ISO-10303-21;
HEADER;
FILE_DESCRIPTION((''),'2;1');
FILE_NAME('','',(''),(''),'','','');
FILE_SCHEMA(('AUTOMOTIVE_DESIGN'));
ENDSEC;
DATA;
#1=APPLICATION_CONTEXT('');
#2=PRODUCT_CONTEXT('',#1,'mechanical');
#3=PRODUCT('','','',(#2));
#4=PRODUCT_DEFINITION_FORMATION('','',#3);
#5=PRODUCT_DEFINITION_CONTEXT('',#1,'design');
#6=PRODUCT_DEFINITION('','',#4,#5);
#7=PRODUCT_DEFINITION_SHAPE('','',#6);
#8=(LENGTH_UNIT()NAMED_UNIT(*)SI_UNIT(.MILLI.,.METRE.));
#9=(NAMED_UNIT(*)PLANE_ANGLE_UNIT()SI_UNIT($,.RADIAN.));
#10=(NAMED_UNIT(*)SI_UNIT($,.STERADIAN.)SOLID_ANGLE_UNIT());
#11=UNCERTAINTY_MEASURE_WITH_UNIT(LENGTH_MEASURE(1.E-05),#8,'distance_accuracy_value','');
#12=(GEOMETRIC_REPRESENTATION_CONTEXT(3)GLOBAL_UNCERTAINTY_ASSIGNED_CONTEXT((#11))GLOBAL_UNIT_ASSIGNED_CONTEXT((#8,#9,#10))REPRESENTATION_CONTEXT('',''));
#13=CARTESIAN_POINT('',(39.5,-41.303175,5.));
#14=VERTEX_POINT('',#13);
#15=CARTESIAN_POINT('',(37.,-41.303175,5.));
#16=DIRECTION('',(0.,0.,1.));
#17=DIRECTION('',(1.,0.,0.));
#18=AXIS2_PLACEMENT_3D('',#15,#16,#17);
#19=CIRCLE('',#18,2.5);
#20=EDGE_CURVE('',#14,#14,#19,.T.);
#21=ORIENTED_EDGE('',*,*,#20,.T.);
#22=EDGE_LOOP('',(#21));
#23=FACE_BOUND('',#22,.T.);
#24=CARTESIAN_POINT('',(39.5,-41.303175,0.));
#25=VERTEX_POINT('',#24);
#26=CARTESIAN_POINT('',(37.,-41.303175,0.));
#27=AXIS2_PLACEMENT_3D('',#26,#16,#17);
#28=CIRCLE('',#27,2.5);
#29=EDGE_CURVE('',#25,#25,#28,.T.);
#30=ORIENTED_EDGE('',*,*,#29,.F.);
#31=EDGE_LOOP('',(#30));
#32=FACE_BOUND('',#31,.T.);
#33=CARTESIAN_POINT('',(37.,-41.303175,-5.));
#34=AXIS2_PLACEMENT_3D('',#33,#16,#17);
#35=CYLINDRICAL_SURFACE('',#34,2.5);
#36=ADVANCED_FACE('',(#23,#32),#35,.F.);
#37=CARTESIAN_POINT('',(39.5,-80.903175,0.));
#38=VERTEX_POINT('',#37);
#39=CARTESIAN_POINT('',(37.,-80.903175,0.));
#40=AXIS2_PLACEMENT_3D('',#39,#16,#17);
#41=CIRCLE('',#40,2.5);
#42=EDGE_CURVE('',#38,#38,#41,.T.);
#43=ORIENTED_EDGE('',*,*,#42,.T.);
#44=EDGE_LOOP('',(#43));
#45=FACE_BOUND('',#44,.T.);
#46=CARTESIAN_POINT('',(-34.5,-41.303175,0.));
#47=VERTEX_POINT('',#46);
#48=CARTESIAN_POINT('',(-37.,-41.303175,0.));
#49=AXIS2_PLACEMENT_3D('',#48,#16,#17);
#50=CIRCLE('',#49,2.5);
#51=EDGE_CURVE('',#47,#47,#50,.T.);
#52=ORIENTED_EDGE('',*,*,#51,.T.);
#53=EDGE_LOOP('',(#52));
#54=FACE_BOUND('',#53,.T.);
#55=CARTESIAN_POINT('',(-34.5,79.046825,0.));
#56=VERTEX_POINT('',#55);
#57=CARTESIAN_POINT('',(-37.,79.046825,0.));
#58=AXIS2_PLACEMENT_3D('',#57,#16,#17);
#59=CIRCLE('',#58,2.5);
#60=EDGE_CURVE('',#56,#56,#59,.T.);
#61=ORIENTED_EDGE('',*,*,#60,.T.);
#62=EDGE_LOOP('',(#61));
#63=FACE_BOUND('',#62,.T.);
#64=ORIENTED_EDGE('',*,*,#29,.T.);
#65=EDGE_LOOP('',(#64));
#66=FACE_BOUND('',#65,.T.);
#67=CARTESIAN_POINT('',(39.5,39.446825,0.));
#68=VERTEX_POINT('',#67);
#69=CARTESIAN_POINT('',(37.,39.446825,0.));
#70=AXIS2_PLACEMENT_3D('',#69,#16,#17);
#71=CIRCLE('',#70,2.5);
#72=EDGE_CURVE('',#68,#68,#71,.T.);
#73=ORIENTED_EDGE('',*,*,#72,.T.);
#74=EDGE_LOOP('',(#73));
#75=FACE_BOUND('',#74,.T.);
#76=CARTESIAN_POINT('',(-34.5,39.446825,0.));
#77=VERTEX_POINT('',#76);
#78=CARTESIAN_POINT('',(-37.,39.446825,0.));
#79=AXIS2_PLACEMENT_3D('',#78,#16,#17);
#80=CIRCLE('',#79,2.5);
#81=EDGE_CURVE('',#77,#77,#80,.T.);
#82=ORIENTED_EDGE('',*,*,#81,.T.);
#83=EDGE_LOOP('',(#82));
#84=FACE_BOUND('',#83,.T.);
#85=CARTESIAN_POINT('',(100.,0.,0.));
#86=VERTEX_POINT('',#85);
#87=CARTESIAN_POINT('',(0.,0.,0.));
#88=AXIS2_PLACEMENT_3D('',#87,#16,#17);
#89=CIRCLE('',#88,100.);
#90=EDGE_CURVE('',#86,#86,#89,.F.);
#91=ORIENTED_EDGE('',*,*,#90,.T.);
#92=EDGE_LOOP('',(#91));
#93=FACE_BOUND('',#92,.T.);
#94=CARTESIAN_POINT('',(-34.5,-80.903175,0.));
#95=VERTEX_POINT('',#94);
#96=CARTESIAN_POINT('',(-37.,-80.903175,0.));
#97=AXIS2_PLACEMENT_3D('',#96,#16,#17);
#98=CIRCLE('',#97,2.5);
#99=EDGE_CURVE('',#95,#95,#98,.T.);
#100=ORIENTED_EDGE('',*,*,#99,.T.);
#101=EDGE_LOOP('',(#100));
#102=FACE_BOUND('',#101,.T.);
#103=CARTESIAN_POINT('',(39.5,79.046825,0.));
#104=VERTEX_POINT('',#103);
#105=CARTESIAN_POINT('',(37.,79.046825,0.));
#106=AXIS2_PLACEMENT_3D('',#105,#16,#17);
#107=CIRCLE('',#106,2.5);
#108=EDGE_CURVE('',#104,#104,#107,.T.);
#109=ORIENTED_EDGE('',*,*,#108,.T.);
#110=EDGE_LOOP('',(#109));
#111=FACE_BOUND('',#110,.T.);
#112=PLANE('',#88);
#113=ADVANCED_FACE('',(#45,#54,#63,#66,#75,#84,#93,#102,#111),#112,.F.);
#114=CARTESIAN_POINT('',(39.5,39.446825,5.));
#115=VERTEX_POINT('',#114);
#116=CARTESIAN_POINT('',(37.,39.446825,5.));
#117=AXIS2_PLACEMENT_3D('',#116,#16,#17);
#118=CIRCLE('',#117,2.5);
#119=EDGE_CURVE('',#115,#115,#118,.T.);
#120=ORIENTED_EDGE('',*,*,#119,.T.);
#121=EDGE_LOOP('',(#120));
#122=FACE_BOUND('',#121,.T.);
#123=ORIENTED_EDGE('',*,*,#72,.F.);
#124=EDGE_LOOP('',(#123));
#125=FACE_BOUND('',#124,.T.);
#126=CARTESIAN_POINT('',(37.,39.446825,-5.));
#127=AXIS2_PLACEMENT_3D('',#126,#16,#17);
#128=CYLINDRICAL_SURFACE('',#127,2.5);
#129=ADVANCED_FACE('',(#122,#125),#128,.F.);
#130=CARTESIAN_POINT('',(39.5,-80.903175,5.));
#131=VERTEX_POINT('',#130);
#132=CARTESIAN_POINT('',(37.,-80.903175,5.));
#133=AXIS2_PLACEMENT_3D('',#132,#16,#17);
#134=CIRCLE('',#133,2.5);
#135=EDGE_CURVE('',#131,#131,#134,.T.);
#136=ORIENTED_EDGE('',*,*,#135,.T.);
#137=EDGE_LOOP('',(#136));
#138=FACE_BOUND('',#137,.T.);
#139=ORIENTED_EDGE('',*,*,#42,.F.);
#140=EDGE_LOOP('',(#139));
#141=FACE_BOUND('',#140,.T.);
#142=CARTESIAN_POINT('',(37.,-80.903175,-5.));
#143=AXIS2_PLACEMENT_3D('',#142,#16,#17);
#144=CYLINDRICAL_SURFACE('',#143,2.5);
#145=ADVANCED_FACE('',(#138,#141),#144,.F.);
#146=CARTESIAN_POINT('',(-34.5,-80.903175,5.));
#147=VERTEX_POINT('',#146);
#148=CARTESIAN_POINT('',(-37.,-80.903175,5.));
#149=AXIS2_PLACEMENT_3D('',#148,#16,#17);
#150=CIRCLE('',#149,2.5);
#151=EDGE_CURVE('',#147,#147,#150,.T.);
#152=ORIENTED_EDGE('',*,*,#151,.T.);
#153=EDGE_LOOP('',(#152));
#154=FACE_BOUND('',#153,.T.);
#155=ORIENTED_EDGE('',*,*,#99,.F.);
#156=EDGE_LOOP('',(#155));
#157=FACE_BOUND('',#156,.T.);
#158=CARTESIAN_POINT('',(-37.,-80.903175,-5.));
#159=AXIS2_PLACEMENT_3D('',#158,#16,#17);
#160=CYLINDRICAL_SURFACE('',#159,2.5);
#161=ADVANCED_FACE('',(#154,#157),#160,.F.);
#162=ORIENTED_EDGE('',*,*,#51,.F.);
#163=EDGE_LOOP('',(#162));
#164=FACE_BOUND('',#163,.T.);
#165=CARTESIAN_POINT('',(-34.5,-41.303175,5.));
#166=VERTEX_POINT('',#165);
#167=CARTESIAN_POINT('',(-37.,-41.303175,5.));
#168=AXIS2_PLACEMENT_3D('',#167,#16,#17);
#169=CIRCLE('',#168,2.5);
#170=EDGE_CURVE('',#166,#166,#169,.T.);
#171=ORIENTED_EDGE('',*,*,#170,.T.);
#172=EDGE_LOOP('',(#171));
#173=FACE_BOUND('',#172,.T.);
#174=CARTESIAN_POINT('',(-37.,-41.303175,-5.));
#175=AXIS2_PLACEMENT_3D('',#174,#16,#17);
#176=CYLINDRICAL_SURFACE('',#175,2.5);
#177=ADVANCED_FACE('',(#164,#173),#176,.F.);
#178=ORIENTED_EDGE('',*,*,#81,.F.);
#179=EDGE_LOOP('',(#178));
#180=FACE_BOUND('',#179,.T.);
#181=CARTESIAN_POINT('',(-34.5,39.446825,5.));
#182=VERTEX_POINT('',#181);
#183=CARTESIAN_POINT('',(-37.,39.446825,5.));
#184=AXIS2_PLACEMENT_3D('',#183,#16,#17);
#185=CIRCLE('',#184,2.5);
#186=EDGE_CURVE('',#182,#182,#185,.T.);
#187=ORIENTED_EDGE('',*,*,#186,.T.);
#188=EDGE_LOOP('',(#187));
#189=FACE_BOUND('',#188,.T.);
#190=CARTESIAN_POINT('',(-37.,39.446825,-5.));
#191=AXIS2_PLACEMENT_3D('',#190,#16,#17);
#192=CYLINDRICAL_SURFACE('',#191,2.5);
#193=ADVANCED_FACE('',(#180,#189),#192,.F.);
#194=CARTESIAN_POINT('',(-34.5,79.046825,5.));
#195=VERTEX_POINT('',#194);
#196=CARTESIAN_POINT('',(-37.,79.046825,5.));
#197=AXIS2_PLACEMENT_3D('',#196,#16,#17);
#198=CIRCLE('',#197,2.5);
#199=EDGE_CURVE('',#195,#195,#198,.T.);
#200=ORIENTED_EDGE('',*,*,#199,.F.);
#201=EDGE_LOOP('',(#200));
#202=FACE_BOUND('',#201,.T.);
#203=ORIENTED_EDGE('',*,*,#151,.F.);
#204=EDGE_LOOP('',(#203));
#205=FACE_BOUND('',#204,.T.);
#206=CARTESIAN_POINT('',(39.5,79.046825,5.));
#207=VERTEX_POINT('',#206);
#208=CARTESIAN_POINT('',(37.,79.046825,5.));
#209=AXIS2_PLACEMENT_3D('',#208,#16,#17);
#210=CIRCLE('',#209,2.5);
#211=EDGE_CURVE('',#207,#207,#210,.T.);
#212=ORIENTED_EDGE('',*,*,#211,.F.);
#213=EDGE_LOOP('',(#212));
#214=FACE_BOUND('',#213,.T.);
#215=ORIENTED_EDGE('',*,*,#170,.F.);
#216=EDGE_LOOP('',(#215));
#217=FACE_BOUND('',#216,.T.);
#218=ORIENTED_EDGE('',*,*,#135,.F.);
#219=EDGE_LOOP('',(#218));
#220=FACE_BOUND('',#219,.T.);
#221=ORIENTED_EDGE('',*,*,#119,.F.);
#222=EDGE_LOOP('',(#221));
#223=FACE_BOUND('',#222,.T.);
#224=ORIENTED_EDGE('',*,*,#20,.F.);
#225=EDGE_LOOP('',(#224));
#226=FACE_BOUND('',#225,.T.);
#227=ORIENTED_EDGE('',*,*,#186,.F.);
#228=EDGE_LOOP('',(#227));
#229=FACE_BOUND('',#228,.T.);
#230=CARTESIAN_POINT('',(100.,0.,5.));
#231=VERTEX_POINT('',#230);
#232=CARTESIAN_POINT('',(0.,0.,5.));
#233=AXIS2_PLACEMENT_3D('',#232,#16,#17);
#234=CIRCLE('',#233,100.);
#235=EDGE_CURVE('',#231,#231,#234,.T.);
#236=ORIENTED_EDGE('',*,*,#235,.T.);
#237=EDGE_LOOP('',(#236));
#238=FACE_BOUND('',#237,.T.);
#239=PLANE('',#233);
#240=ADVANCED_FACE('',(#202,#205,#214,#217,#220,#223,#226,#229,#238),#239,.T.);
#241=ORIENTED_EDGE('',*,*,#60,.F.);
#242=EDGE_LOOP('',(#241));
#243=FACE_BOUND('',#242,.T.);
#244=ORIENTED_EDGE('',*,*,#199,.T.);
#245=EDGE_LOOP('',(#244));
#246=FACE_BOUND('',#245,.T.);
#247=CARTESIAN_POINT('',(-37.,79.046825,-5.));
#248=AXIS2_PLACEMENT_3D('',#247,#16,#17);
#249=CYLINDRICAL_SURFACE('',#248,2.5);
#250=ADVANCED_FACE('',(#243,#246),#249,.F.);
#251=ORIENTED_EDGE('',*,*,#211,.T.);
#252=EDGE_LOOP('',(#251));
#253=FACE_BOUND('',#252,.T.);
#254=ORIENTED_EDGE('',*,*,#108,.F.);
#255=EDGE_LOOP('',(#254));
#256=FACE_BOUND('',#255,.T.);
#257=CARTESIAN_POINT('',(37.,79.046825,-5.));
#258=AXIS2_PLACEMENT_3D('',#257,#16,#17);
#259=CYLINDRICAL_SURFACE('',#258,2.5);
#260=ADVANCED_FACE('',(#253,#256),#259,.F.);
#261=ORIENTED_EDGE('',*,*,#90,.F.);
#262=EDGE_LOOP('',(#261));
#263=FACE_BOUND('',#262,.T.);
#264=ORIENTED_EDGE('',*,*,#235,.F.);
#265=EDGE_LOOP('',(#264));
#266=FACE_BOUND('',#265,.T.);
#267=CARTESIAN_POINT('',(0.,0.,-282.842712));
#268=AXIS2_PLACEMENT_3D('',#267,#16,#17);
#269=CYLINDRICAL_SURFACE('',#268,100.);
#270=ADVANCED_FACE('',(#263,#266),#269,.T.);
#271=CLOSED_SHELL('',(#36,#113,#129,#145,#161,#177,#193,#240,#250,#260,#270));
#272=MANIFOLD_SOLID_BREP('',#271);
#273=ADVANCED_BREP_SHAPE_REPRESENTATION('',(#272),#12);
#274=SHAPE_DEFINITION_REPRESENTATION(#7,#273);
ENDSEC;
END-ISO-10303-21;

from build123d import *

# Parameters (mm, degrees)
CROQUIS1_R              = 82.42
SALIENTE_EXTRUIR1_DEPTH = 5
CROQUIS2_R              = 100
SALIENTE_EXTRUIR2_DEPTH = 5
CROQUIS3_R              = 2.5
CORTAR_EXTRUIR1_DEPTH   = 10
CROQUIS4_R              = 2.5
CORTAR_EXTRUIR2_DEPTH   = 10


with BuildPart() as part:
    # Croquis1 → Saliente-Extruir1 (new body)
    with BuildSketch(Plane.XY):
        Circle(CROQUIS1_R)
    extrude(amount=SALIENTE_EXTRUIR1_DEPTH)

    # Croquis2 → Saliente-Extruir2 (add)
    with BuildSketch(Plane.XY.offset(5)):
        Circle(CROQUIS2_R)
    extrude(amount=-SALIENTE_EXTRUIR2_DEPTH)

    # Croquis3 → Cortar-Extruir1 (cut)
    with BuildSketch(Plane.XY.offset(5)):
        with Locations((-37, -80.903175403)):
            Circle(CROQUIS3_R)
        with Locations((37, -80.903175403)):
            Circle(CROQUIS3_R)
        with Locations((-37, -41.303175403)):
            Circle(CROQUIS3_R)
        with Locations((37, -41.303175403)):
            Circle(CROQUIS3_R)
    extrude(amount=-CORTAR_EXTRUIR1_DEPTH, mode=Mode.SUBTRACT)

    # Croquis4 → Cortar-Extruir2 (cut)
    with BuildSketch(Plane.XY.offset(5)):
        with Locations((-37, -41.303175403)):
            Circle(CROQUIS4_R)
        with Locations((-37, 39.446824597)):
            Circle(CROQUIS4_R)
        with Locations((-37, -80.903175403)):
            Circle(CROQUIS4_R)
        with Locations((-37, 79.046824597)):
            Circle(CROQUIS4_R)
        with Locations((37, -41.303175403)):
            Circle(CROQUIS4_R)
        with Locations((37, 79.046824597)):
            Circle(CROQUIS4_R)
        with Locations((37, 39.446824597)):
            Circle(CROQUIS4_R)
    extrude(amount=-CORTAR_EXTRUIR2_DEPTH, mode=Mode.SUBTRACT)


solid = part.part
